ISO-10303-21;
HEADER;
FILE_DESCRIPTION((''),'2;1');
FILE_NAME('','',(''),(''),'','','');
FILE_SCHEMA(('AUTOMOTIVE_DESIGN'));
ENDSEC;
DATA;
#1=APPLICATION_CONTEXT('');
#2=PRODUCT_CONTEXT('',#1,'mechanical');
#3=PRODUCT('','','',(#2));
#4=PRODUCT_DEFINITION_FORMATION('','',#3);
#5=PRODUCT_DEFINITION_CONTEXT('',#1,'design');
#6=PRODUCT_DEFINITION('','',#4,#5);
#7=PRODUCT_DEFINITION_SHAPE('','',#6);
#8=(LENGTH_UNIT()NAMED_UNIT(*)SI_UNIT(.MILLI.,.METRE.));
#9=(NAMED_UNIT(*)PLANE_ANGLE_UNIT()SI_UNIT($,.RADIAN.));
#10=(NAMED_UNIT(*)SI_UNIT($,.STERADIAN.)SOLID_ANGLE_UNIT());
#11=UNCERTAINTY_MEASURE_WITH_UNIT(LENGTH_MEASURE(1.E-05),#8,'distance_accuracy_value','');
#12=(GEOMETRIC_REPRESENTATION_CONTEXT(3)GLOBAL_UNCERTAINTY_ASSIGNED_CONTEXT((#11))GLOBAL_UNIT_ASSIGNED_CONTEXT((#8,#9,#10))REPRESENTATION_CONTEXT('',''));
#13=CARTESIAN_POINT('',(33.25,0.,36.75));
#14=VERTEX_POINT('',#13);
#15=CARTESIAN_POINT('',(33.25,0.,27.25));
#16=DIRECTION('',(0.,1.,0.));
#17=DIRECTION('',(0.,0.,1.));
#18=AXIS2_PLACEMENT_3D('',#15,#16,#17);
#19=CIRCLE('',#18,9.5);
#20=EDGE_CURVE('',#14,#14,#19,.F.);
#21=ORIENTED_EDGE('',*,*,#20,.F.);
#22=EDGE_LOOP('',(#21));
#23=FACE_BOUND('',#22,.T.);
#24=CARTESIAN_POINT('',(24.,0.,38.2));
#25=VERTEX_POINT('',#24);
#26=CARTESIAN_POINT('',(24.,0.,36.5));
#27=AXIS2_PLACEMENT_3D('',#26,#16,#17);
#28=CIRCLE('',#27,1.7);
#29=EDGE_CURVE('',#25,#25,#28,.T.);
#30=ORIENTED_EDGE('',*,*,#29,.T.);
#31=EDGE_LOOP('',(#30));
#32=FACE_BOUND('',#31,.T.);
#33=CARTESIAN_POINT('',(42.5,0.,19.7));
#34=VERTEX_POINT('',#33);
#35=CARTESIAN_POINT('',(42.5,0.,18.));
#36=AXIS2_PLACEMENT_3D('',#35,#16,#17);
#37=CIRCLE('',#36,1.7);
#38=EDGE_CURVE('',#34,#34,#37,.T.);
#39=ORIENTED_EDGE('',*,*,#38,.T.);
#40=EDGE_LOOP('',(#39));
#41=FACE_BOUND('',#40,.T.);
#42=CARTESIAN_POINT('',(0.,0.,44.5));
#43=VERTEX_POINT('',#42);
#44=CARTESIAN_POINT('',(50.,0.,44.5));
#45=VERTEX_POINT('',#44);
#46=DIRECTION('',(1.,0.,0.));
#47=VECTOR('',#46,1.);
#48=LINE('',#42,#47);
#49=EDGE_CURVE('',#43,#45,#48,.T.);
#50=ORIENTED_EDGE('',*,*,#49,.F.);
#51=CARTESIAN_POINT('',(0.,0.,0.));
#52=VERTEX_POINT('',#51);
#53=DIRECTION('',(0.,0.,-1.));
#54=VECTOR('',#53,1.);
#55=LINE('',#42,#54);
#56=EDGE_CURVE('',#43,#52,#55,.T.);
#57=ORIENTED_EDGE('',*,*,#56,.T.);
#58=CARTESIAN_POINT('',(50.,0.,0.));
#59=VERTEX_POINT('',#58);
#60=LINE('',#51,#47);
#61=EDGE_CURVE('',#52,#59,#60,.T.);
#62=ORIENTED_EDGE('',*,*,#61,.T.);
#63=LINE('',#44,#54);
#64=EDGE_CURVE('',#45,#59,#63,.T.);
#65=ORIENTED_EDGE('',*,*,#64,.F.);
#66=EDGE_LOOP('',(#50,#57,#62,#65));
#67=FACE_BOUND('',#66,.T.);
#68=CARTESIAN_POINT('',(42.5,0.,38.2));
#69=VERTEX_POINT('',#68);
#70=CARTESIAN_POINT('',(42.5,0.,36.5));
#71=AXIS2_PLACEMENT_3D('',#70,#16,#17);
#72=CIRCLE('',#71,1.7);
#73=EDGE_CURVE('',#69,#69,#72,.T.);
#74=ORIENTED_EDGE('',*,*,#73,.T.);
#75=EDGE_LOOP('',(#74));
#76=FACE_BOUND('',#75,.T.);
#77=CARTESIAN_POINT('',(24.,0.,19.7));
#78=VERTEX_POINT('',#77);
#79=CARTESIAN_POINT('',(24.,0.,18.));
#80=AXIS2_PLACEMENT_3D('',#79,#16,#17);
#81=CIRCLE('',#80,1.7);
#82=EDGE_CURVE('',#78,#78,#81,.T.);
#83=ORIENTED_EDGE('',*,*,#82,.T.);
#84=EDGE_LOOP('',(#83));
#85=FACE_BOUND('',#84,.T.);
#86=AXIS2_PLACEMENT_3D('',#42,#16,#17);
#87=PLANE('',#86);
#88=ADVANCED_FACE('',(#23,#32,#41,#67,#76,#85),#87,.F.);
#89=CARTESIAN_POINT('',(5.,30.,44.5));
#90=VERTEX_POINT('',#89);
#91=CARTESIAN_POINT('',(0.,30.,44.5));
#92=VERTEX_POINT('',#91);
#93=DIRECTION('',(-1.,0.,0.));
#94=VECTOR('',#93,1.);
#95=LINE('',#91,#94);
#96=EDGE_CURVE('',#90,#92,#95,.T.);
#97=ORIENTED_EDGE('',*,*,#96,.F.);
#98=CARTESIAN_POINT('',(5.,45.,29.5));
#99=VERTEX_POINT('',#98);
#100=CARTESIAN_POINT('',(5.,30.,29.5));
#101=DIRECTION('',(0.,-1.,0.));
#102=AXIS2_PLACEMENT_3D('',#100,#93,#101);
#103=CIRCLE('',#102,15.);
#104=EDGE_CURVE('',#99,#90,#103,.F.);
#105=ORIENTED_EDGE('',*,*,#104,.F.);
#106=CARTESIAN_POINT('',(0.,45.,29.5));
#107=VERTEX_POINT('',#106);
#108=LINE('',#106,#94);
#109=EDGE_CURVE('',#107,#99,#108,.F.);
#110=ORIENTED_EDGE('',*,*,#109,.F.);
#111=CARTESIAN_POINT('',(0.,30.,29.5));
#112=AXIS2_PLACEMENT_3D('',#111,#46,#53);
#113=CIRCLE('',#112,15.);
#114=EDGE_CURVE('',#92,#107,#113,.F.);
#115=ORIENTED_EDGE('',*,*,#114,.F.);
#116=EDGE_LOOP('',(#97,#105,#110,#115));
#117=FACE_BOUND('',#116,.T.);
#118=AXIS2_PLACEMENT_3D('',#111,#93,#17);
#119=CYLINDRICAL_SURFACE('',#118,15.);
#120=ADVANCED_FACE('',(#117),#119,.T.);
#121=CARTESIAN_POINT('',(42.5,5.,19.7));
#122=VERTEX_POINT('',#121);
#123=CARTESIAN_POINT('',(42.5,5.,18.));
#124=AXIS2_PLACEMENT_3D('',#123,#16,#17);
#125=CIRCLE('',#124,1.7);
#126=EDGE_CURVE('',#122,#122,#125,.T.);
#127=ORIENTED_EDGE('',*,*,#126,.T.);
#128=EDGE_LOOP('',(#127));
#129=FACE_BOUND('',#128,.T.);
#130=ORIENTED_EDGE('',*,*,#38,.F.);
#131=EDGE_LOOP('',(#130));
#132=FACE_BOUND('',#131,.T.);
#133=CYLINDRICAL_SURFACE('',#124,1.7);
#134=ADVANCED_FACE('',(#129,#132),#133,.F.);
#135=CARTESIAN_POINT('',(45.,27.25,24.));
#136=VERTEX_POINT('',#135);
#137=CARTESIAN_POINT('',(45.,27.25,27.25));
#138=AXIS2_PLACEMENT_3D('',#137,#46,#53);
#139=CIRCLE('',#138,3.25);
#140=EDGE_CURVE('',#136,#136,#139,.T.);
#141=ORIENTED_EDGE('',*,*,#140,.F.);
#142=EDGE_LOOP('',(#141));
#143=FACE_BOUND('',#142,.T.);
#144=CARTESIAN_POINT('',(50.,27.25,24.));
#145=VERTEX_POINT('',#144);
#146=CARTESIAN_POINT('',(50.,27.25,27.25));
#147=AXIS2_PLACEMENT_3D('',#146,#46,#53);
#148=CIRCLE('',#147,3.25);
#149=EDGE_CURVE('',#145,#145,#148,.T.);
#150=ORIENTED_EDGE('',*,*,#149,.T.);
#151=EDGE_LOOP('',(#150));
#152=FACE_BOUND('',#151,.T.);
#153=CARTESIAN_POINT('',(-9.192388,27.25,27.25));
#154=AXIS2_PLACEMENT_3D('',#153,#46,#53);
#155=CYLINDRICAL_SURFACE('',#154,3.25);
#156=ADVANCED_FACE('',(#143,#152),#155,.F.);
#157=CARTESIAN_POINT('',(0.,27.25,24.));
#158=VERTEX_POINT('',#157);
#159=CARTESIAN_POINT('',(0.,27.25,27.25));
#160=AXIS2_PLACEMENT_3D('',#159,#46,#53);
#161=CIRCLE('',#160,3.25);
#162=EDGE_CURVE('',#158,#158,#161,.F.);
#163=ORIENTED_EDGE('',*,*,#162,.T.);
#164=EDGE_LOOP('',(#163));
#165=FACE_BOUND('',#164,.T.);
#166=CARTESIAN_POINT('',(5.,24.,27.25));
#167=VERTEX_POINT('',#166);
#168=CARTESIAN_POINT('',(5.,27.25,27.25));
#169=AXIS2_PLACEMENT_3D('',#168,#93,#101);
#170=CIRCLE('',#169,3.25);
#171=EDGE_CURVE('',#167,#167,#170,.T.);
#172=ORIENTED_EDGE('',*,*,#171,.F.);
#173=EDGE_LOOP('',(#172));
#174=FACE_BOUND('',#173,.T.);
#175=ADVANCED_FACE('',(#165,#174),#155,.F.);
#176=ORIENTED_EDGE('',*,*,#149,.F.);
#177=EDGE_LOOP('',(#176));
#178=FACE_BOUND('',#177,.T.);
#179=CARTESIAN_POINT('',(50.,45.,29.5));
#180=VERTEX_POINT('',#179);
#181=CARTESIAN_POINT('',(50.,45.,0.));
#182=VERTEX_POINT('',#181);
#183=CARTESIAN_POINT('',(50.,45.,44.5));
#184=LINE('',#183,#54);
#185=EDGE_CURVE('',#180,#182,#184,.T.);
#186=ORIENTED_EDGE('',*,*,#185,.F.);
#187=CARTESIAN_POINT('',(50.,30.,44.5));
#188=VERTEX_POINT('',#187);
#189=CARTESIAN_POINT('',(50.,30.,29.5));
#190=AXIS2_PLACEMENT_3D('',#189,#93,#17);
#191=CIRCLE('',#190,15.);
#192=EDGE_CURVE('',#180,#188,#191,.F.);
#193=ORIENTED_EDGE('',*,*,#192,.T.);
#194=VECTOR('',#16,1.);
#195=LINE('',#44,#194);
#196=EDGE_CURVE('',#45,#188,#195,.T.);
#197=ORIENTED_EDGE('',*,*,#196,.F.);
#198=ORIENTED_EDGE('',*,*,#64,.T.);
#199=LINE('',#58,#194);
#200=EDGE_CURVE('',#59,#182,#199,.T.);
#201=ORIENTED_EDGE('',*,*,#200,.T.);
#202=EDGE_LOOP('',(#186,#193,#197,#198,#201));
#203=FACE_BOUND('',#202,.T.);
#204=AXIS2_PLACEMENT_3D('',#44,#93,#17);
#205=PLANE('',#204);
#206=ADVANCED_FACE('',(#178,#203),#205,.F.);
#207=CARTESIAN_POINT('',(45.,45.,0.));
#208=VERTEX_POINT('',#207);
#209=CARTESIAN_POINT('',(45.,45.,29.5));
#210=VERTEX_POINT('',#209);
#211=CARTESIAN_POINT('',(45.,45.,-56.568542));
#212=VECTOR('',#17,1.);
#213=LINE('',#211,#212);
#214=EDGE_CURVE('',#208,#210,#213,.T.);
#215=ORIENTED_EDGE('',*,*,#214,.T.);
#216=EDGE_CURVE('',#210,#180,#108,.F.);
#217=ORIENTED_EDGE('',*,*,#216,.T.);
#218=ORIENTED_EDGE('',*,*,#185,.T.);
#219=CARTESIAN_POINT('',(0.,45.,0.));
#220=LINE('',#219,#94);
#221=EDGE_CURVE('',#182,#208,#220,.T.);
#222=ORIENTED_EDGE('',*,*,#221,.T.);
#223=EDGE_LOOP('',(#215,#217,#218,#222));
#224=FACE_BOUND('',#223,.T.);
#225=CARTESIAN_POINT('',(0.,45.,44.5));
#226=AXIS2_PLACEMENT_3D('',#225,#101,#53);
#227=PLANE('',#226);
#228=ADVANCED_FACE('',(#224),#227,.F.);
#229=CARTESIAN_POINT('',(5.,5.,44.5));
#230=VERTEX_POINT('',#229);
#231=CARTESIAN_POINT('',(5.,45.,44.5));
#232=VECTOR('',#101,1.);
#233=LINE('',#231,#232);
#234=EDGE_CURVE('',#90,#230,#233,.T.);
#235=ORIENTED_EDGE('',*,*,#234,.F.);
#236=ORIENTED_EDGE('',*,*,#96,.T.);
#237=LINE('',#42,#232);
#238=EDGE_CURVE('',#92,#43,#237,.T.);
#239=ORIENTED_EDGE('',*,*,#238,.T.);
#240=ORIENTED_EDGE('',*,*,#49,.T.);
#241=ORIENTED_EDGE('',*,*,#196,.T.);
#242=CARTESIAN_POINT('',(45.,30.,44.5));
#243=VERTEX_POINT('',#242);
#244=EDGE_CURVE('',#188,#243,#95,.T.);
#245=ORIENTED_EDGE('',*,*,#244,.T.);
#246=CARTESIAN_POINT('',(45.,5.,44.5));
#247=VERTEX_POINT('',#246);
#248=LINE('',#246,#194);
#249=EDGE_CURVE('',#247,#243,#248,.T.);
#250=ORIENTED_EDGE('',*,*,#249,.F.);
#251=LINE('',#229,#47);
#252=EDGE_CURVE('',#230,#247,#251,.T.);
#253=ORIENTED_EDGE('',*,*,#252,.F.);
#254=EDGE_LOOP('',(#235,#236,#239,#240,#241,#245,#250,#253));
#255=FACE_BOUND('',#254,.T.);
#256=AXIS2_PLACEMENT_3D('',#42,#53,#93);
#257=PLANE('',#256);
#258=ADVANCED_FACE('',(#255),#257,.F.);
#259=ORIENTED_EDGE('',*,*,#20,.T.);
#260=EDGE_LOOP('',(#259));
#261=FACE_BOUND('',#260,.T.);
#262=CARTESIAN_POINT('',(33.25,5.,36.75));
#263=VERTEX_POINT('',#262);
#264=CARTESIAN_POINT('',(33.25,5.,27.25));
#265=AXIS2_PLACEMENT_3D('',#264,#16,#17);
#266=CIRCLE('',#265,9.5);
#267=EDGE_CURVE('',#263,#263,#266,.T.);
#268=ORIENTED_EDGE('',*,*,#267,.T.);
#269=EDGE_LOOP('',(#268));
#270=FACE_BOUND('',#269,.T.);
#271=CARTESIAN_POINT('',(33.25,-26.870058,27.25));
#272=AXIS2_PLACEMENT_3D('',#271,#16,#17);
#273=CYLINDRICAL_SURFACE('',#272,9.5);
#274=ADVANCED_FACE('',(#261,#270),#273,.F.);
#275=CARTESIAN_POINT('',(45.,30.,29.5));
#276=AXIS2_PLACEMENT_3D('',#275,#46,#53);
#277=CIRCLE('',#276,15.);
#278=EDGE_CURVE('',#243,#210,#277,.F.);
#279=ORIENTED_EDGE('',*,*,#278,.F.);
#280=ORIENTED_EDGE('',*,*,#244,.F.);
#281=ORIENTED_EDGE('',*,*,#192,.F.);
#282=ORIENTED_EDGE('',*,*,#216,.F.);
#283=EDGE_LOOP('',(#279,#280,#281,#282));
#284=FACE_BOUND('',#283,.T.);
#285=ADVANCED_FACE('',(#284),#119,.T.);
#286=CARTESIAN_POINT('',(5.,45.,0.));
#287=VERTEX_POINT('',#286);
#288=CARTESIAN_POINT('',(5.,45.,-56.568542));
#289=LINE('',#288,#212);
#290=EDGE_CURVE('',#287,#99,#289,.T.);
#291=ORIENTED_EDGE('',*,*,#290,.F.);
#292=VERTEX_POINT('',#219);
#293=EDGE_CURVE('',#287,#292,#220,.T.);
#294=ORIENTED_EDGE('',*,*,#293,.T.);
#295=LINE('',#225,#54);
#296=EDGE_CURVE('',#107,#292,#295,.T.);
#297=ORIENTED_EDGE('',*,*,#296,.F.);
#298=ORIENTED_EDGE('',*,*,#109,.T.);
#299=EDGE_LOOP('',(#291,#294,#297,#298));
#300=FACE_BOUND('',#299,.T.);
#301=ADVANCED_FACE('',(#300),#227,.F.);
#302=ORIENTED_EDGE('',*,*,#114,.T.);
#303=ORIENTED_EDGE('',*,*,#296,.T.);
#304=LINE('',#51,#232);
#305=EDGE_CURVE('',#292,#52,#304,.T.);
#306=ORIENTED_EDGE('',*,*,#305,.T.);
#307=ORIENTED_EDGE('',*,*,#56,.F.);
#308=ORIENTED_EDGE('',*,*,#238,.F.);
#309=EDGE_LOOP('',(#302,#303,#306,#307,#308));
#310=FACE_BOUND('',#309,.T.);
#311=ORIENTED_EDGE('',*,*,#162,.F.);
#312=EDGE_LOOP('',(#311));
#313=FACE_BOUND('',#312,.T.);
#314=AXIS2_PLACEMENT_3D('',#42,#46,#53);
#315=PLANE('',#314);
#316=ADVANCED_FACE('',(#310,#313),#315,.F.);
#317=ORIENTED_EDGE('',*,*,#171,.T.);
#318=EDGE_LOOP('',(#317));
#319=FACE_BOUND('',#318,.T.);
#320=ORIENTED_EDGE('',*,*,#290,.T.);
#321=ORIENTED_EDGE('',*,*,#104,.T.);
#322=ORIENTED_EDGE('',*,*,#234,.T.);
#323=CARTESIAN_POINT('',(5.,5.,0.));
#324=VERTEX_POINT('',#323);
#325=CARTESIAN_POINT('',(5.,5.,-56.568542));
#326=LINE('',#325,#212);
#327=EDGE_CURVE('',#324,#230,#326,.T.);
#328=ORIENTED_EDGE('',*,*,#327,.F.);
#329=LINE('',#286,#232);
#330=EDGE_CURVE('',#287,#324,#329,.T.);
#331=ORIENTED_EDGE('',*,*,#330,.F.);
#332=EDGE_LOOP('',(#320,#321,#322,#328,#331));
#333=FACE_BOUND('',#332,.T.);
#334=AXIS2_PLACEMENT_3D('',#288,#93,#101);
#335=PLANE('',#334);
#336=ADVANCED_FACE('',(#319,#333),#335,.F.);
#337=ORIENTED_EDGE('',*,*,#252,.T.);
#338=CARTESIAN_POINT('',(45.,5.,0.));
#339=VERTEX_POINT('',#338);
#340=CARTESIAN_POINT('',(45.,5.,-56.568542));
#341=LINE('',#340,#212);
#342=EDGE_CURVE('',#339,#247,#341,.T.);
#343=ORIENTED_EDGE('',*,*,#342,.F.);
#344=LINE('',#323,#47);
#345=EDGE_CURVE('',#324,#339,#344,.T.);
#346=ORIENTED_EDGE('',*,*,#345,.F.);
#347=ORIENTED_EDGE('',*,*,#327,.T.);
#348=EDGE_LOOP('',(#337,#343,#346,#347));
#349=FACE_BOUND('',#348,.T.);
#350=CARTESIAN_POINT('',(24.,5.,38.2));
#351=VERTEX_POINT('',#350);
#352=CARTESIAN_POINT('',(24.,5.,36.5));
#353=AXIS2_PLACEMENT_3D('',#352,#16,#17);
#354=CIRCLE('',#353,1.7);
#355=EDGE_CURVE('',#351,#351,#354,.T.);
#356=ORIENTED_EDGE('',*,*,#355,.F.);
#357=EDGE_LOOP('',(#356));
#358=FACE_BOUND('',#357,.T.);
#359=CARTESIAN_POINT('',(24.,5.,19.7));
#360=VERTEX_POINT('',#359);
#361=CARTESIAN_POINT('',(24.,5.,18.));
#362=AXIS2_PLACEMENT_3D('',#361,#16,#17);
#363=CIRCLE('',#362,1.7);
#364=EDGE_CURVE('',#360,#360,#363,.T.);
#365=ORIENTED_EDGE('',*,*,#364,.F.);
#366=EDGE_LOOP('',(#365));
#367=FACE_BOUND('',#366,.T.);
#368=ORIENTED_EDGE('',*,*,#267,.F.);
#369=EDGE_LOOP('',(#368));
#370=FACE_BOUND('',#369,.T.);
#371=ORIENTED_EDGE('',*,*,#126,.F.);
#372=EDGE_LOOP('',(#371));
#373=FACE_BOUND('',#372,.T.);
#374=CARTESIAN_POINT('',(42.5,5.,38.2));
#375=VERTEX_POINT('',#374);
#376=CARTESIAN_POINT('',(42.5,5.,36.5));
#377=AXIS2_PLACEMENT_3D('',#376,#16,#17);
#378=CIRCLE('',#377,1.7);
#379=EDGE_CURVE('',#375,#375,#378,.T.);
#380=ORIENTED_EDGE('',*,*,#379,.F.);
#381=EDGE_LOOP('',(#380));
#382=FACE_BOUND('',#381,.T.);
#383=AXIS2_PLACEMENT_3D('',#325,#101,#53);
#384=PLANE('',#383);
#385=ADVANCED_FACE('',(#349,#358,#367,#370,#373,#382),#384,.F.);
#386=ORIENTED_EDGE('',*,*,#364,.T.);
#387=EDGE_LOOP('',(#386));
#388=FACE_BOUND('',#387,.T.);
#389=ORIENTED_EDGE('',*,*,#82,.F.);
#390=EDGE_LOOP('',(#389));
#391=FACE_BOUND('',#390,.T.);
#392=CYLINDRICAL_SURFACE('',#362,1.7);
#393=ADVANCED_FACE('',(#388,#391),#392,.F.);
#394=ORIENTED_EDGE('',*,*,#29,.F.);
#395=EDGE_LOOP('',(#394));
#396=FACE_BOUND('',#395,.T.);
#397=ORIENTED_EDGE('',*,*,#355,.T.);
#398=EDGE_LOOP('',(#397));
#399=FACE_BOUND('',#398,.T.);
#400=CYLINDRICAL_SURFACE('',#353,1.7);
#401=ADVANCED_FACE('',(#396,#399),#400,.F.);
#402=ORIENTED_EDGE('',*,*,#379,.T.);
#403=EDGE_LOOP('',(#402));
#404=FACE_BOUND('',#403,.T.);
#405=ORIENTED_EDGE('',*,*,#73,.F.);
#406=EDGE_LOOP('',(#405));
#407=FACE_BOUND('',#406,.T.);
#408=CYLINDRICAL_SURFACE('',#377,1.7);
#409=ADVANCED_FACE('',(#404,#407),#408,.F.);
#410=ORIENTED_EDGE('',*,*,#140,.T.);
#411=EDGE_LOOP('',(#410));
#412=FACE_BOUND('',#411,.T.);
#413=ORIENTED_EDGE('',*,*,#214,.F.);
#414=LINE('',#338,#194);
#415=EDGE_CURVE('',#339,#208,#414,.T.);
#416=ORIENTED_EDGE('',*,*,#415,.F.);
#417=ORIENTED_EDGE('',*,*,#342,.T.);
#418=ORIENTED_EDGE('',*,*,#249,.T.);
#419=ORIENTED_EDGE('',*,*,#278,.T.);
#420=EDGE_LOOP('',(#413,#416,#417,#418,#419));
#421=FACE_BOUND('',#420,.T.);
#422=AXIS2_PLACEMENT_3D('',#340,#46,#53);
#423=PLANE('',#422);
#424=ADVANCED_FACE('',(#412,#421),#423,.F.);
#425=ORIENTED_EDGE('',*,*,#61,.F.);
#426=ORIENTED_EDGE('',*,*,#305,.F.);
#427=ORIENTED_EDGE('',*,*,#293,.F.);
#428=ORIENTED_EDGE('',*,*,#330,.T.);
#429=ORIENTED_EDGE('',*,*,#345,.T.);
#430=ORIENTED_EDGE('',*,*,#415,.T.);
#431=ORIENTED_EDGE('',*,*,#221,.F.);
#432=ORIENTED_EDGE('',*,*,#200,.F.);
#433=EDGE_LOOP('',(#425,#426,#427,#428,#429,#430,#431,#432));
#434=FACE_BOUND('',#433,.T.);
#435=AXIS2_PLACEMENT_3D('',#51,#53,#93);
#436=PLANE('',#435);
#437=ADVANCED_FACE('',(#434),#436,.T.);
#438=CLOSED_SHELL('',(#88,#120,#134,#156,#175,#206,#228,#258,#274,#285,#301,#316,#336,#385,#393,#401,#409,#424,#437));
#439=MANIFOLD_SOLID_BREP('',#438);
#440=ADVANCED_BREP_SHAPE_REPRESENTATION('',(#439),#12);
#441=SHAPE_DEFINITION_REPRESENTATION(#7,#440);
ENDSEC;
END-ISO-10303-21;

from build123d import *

# Parameters (mm, degrees)
ESQUISSE1_W             = 50
ESQUISSE1_H             = 45
BOSS_EXTRU_1_DEPTH      = 44.5
ESQUISSE2_W             = 40
ESQUISSE2_H             = 40
ENL_V_MAT_EXTRU_1_DEPTH = 44.5
ESQUISSE3_R             = 9.5
ESQUISSE3_R_2           = 1.5
ENL_V_MAT_EXTRU_2_DEPTH = 5
D_GAGEMENT_M31_D        = 3.4
CONG_1_R                = 15
ENL_V_MAT_EXTRU_3_REACH = 82.655
ESQUISSE7_R             = 3.25


with BuildPart() as part:
    # Esquisse1 → Boss.-Extru.1 (new body)
    with BuildSketch(Plane.XY):
        with Locations((25, 22.5)):
            Rectangle(ESQUISSE1_W, ESQUISSE1_H)
    extrude(amount=BOSS_EXTRU_1_DEPTH)

    # Esquisse2 → Enlèv. mat.-Extru.1 (cut)
    with BuildSketch(Plane.XY.offset(44.5)):
        with Locations((25, 25)):
            Rectangle(ESQUISSE2_W, ESQUISSE2_H)
    extrude(amount=-ENL_V_MAT_EXTRU_1_DEPTH, mode=Mode.SUBTRACT)

    # Esquisse3 → Enlèv. mat.-Extru.2 (cut)
    with BuildSketch(Plane(origin=(0, 5, 0), x_dir=(1, 0, 0), z_dir=(0, 1, 0))):
        with Locations(Location((33.25, -27.25, 0), (0, 0, 270))):
            Circle(ESQUISSE3_R)
        with Locations(Location((42.5, -18, 0), (0, 0, 270))):
            Circle(ESQUISSE3_R_2)
        with Locations(Location((24, -18, 0), (0, 0, 270))):
            Circle(ESQUISSE3_R_2)
        with Locations(Location((24, -36.5, 0), (0, 0, 270))):
            Circle(ESQUISSE3_R_2)
        with Locations(Location((42.5, -36.5, 0), (0, 0, 270))):
            Circle(ESQUISSE3_R_2)
    extrude(amount=-ENL_V_MAT_EXTRU_2_DEPTH, mode=Mode.SUBTRACT)

    # Dégagement M31 (through all)
    with Locations(Plane(origin=(0, 5, 0), x_dir=(1, 0, 0), z_dir=(0, 1, 0))):
        with Locations((42.5, -18), (24, -18), (24, -36.5), (42.5, -36.5)):
            Hole(D_GAGEMENT_M31_D / 2)

    # Congé1
    cong_1_edges = [part.edges().sort_by_distance(p)[0] for p in [
        (2.5, 45, 44.5),
        (47.5, 45, 44.5),
    ]]
    fillet(cong_1_edges, radius=CONG_1_R)

    # Enlèv. mat.-Extru.3: up to this face of the body (flat: up to its plane)
    enl_v_mat_extru_3_end = Plane(part.part.faces().sort_by_distance((0, 22.02684797, 21.783025057))[0])
    # Esquisse7 → Enlèv. mat.-Extru.3 (cut, up to the picked face)
    with BuildSketch(Plane(origin=(50, 0, 0), x_dir=(0, 0, -1), z_dir=(1, 0, 0)), mode=Mode.PRIVATE) as enl_v_mat_extru_3_sk1:
        with Locations((-27.25, 27.25)):
            Circle(ESQUISSE7_R)
    enl_v_mat_extru_3_tool1 = split(extrude(enl_v_mat_extru_3_sk1.sketch, amount=-ENL_V_MAT_EXTRU_3_REACH, mode=Mode.PRIVATE), bisect_by=enl_v_mat_extru_3_end, keep=Keep.BOTH, mode=Mode.PRIVATE)
    add(enl_v_mat_extru_3_tool1.solids().sort_by(Axis((50, 27.25, 27.25), (-1, 0, 0)))[0], mode=Mode.SUBTRACT)


solid = part.part
